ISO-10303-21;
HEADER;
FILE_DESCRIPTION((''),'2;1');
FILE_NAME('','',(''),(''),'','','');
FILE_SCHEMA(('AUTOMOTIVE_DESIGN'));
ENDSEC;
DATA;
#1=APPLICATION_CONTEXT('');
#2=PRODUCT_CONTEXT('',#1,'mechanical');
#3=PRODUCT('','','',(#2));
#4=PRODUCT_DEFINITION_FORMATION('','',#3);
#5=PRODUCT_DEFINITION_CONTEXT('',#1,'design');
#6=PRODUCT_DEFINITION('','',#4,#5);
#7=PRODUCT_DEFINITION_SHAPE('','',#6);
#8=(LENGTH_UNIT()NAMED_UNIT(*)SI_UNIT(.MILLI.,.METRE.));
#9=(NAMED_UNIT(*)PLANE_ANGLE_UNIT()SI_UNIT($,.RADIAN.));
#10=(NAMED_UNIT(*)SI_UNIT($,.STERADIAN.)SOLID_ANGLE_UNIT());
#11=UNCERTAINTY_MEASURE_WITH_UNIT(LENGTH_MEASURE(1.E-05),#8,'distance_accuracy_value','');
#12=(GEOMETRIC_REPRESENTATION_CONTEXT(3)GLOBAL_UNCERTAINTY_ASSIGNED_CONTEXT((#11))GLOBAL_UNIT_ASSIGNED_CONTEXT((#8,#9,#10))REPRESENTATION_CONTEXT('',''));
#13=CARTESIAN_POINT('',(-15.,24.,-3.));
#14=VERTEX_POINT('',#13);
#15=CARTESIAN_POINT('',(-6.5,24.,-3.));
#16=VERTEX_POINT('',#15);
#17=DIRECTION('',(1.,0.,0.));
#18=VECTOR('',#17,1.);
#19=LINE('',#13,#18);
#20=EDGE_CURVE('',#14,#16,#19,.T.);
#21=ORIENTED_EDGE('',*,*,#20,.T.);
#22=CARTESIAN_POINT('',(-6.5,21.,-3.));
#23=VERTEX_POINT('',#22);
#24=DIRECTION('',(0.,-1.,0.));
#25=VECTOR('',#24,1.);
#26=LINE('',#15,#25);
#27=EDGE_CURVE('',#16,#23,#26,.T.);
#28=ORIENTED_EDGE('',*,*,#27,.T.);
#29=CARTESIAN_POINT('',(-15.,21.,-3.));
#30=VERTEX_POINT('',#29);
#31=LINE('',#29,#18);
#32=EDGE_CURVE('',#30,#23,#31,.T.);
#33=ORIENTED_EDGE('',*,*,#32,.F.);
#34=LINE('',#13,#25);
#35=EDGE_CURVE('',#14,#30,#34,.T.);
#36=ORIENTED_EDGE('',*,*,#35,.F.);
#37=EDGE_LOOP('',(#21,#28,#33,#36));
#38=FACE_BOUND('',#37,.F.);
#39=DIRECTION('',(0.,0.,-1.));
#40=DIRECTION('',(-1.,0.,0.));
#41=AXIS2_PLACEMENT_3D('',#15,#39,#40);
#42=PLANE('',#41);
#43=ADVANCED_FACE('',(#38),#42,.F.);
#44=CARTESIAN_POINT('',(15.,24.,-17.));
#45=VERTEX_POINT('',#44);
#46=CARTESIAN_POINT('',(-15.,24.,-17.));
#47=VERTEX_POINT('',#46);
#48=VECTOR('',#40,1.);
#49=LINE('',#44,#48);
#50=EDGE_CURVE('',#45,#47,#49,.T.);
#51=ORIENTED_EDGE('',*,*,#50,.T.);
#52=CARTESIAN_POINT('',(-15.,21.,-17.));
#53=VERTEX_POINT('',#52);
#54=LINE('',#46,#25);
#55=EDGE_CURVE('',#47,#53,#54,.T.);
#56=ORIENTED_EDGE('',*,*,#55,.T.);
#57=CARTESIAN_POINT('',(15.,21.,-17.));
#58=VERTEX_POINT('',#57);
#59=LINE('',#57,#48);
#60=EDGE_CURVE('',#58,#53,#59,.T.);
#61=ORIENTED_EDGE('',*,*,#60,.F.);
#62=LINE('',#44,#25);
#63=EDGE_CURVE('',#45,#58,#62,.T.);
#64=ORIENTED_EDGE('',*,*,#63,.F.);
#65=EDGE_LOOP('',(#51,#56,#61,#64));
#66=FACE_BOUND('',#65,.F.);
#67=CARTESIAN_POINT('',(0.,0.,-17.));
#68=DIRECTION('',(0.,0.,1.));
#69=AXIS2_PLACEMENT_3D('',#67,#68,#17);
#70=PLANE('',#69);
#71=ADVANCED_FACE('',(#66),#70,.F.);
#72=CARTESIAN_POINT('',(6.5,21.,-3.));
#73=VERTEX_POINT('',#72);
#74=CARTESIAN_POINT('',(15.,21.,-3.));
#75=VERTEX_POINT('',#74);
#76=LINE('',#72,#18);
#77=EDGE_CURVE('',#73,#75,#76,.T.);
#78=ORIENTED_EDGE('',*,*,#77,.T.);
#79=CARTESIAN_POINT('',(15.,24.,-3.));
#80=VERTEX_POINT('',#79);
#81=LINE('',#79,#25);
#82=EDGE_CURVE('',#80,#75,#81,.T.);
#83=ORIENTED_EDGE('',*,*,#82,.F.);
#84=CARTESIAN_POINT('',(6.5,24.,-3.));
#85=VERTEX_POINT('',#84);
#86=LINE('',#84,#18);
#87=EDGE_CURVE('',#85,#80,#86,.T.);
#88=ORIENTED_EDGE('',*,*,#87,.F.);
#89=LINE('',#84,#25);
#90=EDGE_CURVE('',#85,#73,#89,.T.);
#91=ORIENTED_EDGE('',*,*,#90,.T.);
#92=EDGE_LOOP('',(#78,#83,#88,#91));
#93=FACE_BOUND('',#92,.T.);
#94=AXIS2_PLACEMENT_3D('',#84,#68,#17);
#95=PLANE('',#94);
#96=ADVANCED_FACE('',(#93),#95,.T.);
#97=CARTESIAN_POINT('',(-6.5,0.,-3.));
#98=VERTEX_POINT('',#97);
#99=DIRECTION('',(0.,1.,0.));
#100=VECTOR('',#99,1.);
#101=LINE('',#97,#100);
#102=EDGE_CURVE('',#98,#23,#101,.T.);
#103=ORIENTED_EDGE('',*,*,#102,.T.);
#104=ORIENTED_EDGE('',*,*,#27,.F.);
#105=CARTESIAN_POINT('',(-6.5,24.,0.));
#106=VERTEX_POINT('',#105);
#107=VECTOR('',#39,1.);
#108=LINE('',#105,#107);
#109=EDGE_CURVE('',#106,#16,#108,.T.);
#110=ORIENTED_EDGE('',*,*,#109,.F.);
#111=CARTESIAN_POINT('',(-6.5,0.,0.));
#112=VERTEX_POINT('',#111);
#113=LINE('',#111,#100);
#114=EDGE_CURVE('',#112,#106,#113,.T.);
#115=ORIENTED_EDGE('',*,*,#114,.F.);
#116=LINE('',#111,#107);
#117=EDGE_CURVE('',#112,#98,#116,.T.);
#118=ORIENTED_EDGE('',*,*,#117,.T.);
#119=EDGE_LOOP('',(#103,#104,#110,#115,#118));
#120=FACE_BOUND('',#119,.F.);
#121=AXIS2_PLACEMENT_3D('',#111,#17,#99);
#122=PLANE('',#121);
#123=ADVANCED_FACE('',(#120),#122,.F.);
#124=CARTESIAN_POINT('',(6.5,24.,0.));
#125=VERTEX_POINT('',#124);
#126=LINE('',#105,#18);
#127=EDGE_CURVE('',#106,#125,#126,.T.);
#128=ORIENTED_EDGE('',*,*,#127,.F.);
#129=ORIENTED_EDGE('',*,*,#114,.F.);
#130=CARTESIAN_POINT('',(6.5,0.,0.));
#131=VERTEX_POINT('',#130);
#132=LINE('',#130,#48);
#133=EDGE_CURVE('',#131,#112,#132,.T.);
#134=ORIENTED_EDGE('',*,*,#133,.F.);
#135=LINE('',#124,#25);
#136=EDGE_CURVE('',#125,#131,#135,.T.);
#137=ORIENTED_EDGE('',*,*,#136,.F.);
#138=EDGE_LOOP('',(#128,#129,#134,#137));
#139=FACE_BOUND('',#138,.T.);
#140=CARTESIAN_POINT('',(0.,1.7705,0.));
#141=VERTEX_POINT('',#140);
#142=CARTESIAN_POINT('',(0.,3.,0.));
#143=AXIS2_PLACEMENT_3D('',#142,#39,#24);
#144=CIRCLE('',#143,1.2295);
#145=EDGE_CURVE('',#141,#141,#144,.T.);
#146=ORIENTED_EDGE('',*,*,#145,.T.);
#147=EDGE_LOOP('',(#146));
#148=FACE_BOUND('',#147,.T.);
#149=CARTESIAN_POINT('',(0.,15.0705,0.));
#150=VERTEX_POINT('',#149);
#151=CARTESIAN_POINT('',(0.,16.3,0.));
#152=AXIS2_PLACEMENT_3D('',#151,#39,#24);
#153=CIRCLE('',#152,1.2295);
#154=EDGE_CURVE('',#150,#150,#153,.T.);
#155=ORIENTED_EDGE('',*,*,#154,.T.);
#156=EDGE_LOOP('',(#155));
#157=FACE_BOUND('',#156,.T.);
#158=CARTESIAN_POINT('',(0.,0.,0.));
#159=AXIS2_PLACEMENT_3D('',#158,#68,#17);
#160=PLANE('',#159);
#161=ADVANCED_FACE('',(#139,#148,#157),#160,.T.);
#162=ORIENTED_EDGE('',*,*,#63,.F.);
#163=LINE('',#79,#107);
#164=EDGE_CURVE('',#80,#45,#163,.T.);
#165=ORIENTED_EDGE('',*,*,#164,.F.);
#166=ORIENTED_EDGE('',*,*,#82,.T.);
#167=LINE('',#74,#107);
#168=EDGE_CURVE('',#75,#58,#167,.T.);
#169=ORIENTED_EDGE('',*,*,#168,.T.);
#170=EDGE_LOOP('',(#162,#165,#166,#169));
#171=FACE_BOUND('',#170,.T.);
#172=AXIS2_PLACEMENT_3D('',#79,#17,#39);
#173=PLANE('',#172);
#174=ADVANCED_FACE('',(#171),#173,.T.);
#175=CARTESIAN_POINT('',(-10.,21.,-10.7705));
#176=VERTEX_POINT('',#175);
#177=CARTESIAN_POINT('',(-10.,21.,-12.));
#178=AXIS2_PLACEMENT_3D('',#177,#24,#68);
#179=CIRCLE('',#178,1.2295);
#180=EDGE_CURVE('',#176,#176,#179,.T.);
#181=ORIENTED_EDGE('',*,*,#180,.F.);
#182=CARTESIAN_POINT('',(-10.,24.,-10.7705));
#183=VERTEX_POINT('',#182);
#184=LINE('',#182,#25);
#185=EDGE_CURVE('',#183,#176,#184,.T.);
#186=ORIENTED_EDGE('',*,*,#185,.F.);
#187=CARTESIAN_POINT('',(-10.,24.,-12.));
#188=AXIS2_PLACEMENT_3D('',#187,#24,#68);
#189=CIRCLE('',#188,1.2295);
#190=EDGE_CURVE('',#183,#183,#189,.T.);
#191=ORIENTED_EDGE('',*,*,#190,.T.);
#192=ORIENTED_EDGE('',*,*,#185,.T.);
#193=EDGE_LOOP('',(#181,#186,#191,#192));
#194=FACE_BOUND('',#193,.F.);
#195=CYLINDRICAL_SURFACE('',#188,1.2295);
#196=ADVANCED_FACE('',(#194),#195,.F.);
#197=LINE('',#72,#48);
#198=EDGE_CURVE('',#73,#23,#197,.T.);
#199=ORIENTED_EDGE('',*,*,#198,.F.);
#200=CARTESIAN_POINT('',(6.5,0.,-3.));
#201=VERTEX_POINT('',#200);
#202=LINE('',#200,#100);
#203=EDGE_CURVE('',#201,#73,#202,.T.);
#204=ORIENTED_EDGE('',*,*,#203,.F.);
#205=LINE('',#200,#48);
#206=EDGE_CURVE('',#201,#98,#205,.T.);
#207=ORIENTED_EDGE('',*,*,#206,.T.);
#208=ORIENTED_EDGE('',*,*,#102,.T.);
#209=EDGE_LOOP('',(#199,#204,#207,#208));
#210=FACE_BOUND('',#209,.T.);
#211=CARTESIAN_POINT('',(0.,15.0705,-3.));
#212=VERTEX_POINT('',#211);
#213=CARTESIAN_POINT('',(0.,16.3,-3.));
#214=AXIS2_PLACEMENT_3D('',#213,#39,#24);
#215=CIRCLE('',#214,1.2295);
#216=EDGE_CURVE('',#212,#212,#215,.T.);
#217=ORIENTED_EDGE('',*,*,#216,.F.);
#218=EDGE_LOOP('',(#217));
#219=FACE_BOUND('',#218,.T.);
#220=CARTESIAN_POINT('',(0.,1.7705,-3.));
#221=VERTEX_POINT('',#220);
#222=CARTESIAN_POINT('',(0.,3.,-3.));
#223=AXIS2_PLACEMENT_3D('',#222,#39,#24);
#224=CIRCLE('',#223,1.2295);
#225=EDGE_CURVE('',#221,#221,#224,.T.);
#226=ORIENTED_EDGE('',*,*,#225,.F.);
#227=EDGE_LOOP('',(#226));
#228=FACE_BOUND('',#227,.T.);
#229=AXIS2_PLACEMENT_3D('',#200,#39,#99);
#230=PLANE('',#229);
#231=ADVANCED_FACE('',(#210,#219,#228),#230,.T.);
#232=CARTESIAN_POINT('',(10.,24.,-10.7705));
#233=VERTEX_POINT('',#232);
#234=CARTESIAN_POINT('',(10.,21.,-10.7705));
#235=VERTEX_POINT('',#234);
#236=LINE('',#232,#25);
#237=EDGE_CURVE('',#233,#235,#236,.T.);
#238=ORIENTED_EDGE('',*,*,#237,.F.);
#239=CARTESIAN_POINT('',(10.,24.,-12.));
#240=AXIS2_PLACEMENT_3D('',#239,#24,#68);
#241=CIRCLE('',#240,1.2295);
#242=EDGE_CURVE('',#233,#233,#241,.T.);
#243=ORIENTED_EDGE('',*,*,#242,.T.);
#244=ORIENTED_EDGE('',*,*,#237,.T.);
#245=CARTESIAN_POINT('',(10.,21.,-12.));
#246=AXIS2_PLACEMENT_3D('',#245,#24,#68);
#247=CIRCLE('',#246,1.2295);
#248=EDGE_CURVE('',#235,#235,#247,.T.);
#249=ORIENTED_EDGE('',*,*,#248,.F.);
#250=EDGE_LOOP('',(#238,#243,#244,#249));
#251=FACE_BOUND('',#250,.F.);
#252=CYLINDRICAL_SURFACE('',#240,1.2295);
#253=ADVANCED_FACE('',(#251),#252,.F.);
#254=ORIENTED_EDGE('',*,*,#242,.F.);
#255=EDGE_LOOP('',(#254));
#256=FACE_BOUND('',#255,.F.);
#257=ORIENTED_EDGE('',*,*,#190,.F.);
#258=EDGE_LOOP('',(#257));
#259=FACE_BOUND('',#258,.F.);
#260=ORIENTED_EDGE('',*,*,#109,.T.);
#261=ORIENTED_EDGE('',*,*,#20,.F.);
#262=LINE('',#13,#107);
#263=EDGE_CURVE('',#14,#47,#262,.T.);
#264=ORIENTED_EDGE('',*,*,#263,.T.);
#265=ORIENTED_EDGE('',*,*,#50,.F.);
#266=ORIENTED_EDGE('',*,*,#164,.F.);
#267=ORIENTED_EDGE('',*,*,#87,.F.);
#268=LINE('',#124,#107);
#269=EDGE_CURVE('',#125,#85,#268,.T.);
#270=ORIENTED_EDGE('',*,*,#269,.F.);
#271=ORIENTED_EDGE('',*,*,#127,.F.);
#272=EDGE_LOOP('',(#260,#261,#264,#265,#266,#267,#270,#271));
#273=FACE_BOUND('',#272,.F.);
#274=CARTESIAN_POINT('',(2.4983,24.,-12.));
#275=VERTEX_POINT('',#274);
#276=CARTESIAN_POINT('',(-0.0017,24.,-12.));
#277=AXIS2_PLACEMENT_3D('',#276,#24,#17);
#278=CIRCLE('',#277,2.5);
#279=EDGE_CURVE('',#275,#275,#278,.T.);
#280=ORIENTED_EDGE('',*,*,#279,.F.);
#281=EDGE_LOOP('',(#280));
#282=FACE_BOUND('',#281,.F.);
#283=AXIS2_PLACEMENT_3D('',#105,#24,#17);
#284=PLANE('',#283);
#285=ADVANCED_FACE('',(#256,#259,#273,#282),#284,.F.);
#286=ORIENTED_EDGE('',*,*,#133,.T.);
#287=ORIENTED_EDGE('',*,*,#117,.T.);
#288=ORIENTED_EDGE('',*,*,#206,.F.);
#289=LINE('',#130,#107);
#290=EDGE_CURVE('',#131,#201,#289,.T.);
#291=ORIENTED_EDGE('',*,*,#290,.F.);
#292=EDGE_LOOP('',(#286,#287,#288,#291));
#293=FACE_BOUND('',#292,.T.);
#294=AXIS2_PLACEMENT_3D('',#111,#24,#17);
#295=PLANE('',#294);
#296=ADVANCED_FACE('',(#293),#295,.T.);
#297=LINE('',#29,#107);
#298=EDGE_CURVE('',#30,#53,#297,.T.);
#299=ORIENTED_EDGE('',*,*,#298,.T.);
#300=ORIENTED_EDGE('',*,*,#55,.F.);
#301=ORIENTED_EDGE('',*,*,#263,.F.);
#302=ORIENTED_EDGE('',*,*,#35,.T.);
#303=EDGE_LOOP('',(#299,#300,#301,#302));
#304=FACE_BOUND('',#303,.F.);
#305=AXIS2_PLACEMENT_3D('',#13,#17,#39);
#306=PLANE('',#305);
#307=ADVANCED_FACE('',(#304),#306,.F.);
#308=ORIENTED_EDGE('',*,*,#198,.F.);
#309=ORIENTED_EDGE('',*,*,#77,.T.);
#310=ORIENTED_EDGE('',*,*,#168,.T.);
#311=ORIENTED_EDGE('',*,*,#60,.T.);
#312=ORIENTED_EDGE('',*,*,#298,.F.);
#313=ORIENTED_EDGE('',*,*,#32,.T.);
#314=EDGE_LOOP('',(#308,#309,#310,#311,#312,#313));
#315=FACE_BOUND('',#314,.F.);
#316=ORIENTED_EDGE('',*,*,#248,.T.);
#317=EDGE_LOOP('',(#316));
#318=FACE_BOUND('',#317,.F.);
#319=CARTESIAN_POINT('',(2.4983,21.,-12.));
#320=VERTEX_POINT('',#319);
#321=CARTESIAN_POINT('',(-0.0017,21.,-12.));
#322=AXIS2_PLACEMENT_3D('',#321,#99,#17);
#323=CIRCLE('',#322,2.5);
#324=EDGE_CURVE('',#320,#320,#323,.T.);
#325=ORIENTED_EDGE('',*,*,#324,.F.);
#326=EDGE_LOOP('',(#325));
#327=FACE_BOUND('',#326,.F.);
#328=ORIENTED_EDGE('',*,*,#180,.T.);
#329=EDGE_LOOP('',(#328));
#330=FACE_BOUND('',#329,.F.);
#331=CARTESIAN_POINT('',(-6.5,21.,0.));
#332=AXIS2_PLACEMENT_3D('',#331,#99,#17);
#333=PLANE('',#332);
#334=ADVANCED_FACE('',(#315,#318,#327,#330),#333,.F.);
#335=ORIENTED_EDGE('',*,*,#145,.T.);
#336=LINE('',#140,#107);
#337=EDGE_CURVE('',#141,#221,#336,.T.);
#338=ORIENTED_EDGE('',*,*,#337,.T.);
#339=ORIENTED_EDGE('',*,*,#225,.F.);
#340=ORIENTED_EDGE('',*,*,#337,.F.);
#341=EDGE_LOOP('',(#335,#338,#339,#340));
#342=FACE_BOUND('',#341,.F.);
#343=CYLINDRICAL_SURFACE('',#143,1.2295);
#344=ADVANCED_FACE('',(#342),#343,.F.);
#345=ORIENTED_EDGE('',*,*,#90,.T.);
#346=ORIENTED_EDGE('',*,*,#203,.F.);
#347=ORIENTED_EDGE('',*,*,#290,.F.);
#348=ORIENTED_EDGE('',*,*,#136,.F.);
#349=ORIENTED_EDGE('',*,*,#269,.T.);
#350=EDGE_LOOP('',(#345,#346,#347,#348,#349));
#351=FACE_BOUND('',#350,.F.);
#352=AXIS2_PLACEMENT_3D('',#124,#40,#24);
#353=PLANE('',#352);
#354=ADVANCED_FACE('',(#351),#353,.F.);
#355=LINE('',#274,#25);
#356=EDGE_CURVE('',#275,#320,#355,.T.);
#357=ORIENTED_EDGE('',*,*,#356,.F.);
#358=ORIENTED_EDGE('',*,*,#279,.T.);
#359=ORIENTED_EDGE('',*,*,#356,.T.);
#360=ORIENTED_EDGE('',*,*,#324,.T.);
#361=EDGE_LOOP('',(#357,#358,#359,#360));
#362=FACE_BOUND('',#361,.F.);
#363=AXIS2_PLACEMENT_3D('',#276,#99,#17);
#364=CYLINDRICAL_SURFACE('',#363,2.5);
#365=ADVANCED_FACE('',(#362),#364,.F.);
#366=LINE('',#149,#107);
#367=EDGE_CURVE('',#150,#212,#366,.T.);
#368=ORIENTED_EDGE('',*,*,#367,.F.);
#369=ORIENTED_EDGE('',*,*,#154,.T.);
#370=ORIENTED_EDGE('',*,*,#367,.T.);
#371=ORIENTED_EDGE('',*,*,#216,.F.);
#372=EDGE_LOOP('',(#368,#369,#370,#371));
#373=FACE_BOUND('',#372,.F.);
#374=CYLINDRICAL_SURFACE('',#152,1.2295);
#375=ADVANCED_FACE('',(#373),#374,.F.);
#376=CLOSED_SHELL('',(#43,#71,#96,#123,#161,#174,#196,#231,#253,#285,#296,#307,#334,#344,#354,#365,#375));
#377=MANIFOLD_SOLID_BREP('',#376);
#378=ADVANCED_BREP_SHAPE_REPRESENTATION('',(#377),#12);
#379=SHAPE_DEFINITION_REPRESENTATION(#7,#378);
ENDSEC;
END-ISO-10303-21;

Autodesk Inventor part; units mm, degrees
ref_plane "YZ Plane" through (0, 0, 0) normal (1, 0, 0) x (0, 1, 0)
ref_plane "XZ Plane" through (0, 0, 0) normal (0, 1, 0) x (-1, 0, 0)
ref_plane "XY Plane" through (0, 0, 0) normal (0, 0, 1) x (1, 0, 0)
sketch "Szkic1" plane through (0, 0, 0) normal (0, 0, 1) x (1, 0, 0)
  line L0 (-9.1, 0) -> (9.1, 0) projected
  line L1 (0, -4.8) -> (0, 28.8) projected
  line L2 (-6.5, 24) -> (6.5, 24)
  line L3 (6.5, 24) -> (6.5, 0)
  line L4 (6.5, 0) -> (-6.5, 0)
  line L5 (-6.5, 0) -> (-6.5, 24)
  line L6 (0, 24) -> (0, 0)
  dimension "d0" = 13
  dimension "d1" = 24
extrude "Wyciągnięcie proste1" add sketch "Szkic1" against normal blind 17
sketch "Szkic2" plane through (6.5, 0, 0) normal (1, 0, 0) x (0, 0, -1)
  line L0 (17, 24) -> (17, 0) projected
  line L1 (17, 0) -> (3, 0)
  line L2 (3, 0) -> (3, 21)
  line L3 (3, 21) -> (17, 21)
  line L4 (17, 21) -> (17, 0)
  point P0 (0, 0)
  dimension "d4" = 14
  dimension "d5" = 21
extrude "Wyciągnięcie proste2" cut sketch "Szkic2" against normal blind 13
sketch "Szkic3" plane through (0, 0, 0) normal (0, 0, 1) x (1, 0, 0)
  line L0 (6.5, 24) -> (-6.5, 24) projected
  line L1 (-6.5, 0) -> (6.5, 0) projected
  point P0 (0, 0)
  point P1 (0, 16.3)
  point P2 (0, 3)
  dimension "d8" = 7.7
  dimension "d10" = 3
hole "Otwór1" at (0, 16.3, 0) at (0, 3, 0) direction (0, 0, -1) diameter 2.459 end through all thread size "M3x0.5" class "6H" standard "ISO Metric profile"
sketch "Szkic4" plane through (-6.5, 24, 0) normal (0, 1, 0) x (1, 0, 0)
  line L0 (13, 3) -> (0, 3) projected
  line L1 (0, 17) -> (13, 17) projected
  line L2 (6.5, 17) -> (6.5, 3)
  circle A0 centre (6.5, 12) radius 2.5
  line L3 (13, 0) -> (13, 17) projected
  line L4 (19, 12) -> (-6, 12)
  line L5 (0, 3) -> (-6, 3)
  line L6 (-6, 3) -> (-6, 17)
  line L7 (-6, 17) -> (0, 17)
  line L8 (0, 17) -> (0, 3)
  line L9 (13, 3) -> (19, 3)
  line L10 (19, 3) -> (19, 17)
  line L11 (19, 17) -> (13, 17)
  line L12 (13, 17) -> (13, 3)
  line L13 (-3.5, 3) -> (-3.5, 17)
  line L14 (0, 0) -> (0, 17) projected
  line L15 (0, 3) -> (0, 17)
  line L16 (16.5, 3) -> (16.5, 17)
  point P0 (6.5, 0)
  point P1 (0, 12)
  dimension "d18" = 5
  dimension "d20" = 5
  dimension "d21" = 6
  dimension "d22" = 6
  dimension "d23" = 3.5
extrude "Wyciągnięcie proste3" add sketch "Szkic4" against normal blind 3 contours L3 L4 L16 L9 | L3 L11 L16 L4 | L16 L4 L10 L9 | L5 L13 L4 L8 | L16 L11 L10 L4 | L5 L6 L4 L13 | L4 L13 L7 L8 | L4 L6 L7 L13
sketch "Szkic5" plane through (-6.5, 24, 0) normal (0, 1, 0) x (1, 0, 0)
  line L0 (13, 3) -> (0, 3) projected
  line L1 (6.5, 0) -> (6.5, 17)
  line L2 (-6, 17) -> (19, 17) projected
  line L3 (19, 17) -> (19, 3) projected
  line L4 (19, 12) -> (-6.0034, 12)
  line L5 (19, 3) -> (13, 3) projected
  line L6 (16.5, 3) -> (16.5, 17)
  line L7 (-3.5, 3) -> (-3.5, 17)
  circle A0 centre (6.4983, 12) radius 2.5
  dimension "d4" = 14
  dimension "d5" = 21
  dimension "d26" = 5
  dimension "d27" = 2.5
  dimension "d28" = 5
extrude "Wyciągnięcie proste4" cut sketch "Szkic5" against normal blind 3 contours A0 L4 L1 | L1 L4 A0 | L4 A0 L1 | L1 A0 L4
sketch "Szkic6" plane through (-6.5, 24, 0) normal (0, 1, 0) x (1, 0, 0)
  line L0 (6.5, 0) -> (6.5, 17)
  line L1 (-6, 17) -> (19, 17) projected
  line L2 (19, 17) -> (19, 3) projected
  line L3 (19, 12) -> (-5.9544, 12)
  line L4 (19, 3) -> (13, 3) projected
  line L5 (16.5, 3) -> (16.5, 17)
  line L6 (-3.5, 3) -> (-3.5, 17)
  point P0 (16.5, 12)
  point P1 (-3.5, 12)
  dimension "d31" = 5
  dimension "d32" = 2.5
hole "Otwór2" at (10, 24, -12) at (-10, 24, -12) direction (0, -1, 0) diameter 2.459 end through all thread size "M3x0.5" class "6H" standard "ISO Metric profile"
sketch "Szkic7" plane through (-6.5, 24, 0) normal (0, 1, 0) x (1, 0, 0)
  line L0 (19, 3) -> (13, 3) projected
  line L1 (19, 3) -> (21.5, 3)
  line L2 (21.5, 3) -> (21.5, 17)
  line L3 (21.5, 17) -> (19, 17)
  line L4 (19, 17) -> (19, 3)
  line L5 (-6, 3) -> (-6, 17) projected
  line L6 (-6, 3) -> (-8.5, 3)
  line L7 (-8.5, 3) -> (-8.5, 17)
  line L8 (-8.5, 17) -> (-6, 17)
  line L9 (-6, 17) -> (-6, 3)
  point P0 (6.5, 0)
  dimension "d40" = 2.5
  dimension "d41" = 2.5
extrude "Wyciągnięcie proste5" add sketch "Szkic7" against normal blind 3
properties part number "adapter" material "Stal nierdzewna 440C"
